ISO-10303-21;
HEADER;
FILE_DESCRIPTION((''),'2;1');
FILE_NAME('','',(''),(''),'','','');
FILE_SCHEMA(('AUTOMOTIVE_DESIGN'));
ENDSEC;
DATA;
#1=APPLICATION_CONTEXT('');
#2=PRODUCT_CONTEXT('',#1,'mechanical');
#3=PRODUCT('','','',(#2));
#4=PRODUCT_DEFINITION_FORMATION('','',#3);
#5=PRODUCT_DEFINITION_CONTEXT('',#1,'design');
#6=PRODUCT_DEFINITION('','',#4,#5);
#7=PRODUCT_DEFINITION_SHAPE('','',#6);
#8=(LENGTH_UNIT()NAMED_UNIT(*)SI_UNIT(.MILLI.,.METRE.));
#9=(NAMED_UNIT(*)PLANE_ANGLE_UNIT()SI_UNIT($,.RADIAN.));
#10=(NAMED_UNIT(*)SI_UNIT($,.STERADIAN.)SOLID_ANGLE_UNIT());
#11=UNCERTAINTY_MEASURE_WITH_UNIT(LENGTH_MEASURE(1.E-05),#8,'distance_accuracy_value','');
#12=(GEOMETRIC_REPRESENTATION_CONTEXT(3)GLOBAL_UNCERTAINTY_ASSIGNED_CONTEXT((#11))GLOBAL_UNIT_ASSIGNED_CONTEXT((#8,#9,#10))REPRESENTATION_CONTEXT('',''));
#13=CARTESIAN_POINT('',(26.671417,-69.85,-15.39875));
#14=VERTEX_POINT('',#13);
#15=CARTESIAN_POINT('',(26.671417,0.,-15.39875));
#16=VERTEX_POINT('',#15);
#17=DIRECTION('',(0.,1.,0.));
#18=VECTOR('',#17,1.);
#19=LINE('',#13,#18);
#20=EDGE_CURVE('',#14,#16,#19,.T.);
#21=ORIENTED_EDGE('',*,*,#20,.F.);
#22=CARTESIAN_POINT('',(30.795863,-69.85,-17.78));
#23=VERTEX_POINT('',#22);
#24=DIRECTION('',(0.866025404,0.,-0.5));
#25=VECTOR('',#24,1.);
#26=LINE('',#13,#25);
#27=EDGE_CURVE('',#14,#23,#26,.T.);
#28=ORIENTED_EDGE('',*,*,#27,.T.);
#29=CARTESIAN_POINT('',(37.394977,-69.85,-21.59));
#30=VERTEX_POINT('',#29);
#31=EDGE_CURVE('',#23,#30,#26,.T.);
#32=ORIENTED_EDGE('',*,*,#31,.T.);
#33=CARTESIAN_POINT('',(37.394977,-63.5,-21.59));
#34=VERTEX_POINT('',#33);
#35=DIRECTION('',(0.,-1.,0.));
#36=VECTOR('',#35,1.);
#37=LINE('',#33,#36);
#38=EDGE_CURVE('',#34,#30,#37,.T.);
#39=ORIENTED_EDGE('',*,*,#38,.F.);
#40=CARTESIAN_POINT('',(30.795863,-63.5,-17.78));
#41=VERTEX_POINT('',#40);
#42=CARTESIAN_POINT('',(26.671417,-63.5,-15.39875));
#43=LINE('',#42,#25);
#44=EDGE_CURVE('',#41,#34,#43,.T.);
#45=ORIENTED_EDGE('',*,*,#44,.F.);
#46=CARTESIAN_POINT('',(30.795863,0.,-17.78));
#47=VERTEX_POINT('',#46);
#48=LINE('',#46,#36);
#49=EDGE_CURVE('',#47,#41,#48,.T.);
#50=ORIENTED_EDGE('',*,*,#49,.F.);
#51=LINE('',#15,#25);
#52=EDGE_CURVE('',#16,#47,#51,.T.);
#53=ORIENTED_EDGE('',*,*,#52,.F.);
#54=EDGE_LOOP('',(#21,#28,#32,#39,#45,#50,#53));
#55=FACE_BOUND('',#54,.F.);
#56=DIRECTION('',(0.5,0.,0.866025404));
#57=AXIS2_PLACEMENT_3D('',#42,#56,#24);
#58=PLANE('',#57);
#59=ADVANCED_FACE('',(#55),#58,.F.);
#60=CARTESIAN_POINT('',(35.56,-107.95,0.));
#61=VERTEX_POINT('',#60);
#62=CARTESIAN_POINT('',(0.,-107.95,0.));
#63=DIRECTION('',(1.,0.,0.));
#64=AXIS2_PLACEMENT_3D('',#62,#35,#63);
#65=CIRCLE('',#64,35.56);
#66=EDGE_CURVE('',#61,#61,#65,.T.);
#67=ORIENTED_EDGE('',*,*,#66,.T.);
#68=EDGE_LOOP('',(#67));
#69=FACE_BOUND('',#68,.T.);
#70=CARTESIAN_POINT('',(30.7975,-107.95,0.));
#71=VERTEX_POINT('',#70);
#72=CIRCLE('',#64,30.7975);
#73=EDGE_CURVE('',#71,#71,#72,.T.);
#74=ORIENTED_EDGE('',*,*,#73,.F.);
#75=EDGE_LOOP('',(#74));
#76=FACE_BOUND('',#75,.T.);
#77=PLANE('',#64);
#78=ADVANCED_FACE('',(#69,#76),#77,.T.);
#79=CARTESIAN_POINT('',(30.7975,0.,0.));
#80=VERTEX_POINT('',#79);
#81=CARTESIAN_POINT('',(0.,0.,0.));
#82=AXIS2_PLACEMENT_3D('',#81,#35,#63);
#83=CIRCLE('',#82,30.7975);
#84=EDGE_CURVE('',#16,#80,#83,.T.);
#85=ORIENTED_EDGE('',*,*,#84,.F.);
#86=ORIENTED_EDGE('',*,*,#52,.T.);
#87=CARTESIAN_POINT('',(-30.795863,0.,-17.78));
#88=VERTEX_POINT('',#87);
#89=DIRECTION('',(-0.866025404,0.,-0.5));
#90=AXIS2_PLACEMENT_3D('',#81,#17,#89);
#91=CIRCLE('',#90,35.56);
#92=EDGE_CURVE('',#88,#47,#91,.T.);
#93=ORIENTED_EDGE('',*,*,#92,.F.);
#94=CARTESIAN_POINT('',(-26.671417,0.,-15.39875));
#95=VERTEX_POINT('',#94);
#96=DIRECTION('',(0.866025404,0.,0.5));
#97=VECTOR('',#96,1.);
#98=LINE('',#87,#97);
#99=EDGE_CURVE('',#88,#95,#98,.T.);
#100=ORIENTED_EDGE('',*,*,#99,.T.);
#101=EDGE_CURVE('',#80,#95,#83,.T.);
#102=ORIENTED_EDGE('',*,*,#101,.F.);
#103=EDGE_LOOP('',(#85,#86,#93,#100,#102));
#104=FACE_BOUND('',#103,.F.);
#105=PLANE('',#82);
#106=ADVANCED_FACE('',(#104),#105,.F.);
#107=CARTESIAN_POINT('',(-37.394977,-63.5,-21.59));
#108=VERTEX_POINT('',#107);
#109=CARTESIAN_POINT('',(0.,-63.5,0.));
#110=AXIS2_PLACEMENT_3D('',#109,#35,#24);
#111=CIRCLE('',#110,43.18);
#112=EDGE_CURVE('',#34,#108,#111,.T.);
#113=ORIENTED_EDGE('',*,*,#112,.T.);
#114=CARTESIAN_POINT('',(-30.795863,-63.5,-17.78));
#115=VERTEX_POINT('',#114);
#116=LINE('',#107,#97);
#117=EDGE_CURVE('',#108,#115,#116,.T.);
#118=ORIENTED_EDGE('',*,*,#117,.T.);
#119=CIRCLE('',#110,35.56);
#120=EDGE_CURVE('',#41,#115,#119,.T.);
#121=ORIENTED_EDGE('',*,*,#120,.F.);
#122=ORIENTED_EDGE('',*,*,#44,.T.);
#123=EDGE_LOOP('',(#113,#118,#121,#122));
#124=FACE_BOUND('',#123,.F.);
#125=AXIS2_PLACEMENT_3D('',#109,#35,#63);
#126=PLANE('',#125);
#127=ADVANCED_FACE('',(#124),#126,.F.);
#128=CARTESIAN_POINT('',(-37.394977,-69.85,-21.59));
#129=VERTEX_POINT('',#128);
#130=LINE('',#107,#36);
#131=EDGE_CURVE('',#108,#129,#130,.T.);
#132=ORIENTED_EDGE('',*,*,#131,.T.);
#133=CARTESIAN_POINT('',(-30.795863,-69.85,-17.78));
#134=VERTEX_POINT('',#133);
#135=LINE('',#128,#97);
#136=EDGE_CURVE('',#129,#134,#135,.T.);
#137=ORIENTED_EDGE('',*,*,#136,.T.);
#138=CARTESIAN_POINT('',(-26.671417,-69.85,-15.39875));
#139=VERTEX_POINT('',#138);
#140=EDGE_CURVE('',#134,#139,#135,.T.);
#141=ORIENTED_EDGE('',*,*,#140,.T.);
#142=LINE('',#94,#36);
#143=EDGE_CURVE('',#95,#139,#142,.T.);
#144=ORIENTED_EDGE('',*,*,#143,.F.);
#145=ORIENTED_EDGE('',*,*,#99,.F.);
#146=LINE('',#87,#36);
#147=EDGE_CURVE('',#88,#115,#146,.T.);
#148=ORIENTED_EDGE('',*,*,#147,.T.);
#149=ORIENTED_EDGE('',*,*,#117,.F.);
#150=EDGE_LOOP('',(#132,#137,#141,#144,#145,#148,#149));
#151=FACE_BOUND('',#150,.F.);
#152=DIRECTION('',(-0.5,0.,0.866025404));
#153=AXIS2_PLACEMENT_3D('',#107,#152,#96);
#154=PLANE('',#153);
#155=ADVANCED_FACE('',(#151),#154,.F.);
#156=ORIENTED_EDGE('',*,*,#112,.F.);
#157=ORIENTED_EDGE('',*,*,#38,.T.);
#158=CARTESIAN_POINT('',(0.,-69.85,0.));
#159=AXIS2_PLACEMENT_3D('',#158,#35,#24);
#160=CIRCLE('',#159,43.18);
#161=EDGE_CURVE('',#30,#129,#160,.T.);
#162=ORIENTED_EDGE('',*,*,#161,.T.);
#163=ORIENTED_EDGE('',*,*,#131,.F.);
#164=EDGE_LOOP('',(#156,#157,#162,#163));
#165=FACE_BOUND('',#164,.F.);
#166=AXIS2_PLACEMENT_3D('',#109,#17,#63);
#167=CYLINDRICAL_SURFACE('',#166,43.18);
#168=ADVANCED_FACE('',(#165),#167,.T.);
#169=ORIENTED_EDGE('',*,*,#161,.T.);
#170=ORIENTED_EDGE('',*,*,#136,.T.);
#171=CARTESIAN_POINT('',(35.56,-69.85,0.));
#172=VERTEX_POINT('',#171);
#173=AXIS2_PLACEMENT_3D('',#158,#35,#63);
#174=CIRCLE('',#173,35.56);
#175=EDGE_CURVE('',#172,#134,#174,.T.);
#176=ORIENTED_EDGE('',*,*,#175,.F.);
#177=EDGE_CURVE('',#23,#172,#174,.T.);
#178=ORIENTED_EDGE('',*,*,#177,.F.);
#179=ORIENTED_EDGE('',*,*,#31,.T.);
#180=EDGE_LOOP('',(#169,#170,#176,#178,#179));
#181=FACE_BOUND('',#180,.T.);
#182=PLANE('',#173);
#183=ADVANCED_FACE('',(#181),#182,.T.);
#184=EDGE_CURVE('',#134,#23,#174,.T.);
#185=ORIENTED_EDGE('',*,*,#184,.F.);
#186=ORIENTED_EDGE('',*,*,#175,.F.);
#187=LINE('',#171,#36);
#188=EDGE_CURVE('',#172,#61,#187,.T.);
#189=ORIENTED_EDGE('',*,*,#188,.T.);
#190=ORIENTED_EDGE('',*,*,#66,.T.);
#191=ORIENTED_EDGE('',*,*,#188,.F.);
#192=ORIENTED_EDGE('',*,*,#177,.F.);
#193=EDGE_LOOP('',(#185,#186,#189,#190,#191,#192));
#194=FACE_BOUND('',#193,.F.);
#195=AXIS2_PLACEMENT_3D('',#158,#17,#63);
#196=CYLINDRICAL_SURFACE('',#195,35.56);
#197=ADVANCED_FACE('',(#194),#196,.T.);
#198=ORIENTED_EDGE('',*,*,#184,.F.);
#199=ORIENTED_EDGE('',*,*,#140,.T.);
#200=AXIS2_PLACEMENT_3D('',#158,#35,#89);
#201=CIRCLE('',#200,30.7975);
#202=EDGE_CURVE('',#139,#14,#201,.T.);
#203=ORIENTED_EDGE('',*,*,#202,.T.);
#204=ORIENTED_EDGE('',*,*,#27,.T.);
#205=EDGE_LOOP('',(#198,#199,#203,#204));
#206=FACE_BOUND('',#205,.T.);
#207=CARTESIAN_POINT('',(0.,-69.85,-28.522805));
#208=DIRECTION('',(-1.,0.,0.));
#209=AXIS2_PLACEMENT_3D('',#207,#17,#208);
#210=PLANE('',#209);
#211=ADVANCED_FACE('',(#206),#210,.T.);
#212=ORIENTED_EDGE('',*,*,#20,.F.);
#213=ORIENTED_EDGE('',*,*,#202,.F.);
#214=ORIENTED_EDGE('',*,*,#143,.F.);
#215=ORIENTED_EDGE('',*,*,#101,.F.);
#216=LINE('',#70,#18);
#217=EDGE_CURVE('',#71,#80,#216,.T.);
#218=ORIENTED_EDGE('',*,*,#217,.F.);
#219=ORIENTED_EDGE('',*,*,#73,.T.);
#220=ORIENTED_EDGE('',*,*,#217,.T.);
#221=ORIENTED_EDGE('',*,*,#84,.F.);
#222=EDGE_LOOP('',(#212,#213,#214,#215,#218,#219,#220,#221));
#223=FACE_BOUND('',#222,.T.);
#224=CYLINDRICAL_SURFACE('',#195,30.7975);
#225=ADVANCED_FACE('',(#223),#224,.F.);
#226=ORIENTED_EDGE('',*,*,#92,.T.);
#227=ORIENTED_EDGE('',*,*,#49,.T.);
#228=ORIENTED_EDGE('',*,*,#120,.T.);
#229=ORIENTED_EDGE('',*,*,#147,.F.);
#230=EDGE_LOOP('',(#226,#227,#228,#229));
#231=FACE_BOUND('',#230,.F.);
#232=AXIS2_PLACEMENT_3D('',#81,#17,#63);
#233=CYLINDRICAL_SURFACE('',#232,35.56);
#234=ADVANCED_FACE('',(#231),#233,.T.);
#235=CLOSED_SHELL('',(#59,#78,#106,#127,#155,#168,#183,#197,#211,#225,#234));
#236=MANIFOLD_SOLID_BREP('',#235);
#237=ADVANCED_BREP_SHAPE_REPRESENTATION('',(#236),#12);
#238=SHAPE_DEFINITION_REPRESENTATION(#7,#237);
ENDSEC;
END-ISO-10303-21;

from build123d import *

# Parameters (mm, degrees)
F0_R     = 35.56
F0_R_2   = 30.7975
F1_DEPTH = 63.5
F2_R     = 43.18
F2_R_2   = 35.56
F2_R_3   = 30.7975
F3_DEPTH = 6.35
F4_R     = 35.56
F4_R_2   = 30.7975
F5_DEPTH = 38.1
F7_DEPTH = 63.5
F9_DEPTH = 6.35


with BuildPart() as f1:
    # F0 (on Front) → F1 (new body)
    with BuildSketch(Plane.XZ):
        Circle(F0_R)
        Circle(F0_R_2, mode=Mode.SUBTRACT)
    extrude(amount=F1_DEPTH)

    # F2 (on face) → F3 (join)
    with BuildSketch(Plane.XZ.offset(63.5)):
        Circle(F2_R)
        Circle(F2_R_2, mode=Mode.SUBTRACT)
        Circle(F2_R_2)
        Circle(F2_R_3, mode=Mode.SUBTRACT)
    extrude(amount=F3_DEPTH)

    # F4 (on face) → F5 (join)
    with BuildSketch(Plane.XZ.offset(69.85)):
        Circle(F4_R)
        Circle(F4_R_2, mode=Mode.SUBTRACT)
    extrude(amount=F5_DEPTH)

    # F6 (on face) → F7 (cut, through all)
    with BuildSketch(Plane(origin=(0, 0, 0), x_dir=(-1, 0, 0), z_dir=(0, 1, 0))):
        with BuildLine():
            Line((26.6714173731, -15.39875), (0, 0))
            Line((0, 0), (-26.6714173731, -15.39875))
            ThreePointArc((-26.6714173731, -15.39875), (0, -30.7975), (26.6714173731, -15.39875))
        make_face()
        with BuildLine():
            ThreePointArc((26.6714173731, -15.39875), (0, -30.7975), (-26.6714173731, -15.39875))
            Line((-26.6714173731, -15.39875), (-30.7958633586, -17.78))
            ThreePointArc((-30.7958633586, -17.78), (0, -35.56), (30.7958633586, -17.78))
            Line((30.7958633586, -17.78), (26.6714173731, -15.39875))
        make_face()
        with BuildLine():
            ThreePointArc((30.7958633586, -17.78), (0, -35.56), (-30.7958633586, -17.78))
            Line((-30.7958633586, -17.78), (-66.8170764648, -38.5768570834))
            Line((-66.8170764648, -38.5768570834), (66.8170764648, -38.5768570834))
            Line((66.8170764648, -38.5768570834), (30.7958633586, -17.78))
        make_face()
    extrude(amount=-F7_DEPTH, mode=Mode.SUBTRACT)

    # F8 (on face) → F9 (cut, through all)
    with BuildSketch(Plane(origin=(0, -63.5, 0), x_dir=(-1, 0, 0), z_dir=(0, 1, 0))):
        with BuildLine():
            Line((30.7958633586, -17.78), (26.6714173731, -15.39875))
            ThreePointArc((26.6714173731, -15.39875), (0, -30.7975), (-26.6714173731, -15.39875))
            Line((-26.6714173731, -15.39875), (-30.7958633586, -17.78))
            Line((-30.7958633586, -17.78), (-37.3949769354, -21.59))
            ThreePointArc((-37.3949769354, -21.59), (0, -43.18), (37.3949769354, -21.59))
            Line((37.3949769354, -21.59), (30.7958633586, -17.78))
        make_face()
    extrude(amount=-F9_DEPTH, mode=Mode.SUBTRACT)


solid = f1.part
